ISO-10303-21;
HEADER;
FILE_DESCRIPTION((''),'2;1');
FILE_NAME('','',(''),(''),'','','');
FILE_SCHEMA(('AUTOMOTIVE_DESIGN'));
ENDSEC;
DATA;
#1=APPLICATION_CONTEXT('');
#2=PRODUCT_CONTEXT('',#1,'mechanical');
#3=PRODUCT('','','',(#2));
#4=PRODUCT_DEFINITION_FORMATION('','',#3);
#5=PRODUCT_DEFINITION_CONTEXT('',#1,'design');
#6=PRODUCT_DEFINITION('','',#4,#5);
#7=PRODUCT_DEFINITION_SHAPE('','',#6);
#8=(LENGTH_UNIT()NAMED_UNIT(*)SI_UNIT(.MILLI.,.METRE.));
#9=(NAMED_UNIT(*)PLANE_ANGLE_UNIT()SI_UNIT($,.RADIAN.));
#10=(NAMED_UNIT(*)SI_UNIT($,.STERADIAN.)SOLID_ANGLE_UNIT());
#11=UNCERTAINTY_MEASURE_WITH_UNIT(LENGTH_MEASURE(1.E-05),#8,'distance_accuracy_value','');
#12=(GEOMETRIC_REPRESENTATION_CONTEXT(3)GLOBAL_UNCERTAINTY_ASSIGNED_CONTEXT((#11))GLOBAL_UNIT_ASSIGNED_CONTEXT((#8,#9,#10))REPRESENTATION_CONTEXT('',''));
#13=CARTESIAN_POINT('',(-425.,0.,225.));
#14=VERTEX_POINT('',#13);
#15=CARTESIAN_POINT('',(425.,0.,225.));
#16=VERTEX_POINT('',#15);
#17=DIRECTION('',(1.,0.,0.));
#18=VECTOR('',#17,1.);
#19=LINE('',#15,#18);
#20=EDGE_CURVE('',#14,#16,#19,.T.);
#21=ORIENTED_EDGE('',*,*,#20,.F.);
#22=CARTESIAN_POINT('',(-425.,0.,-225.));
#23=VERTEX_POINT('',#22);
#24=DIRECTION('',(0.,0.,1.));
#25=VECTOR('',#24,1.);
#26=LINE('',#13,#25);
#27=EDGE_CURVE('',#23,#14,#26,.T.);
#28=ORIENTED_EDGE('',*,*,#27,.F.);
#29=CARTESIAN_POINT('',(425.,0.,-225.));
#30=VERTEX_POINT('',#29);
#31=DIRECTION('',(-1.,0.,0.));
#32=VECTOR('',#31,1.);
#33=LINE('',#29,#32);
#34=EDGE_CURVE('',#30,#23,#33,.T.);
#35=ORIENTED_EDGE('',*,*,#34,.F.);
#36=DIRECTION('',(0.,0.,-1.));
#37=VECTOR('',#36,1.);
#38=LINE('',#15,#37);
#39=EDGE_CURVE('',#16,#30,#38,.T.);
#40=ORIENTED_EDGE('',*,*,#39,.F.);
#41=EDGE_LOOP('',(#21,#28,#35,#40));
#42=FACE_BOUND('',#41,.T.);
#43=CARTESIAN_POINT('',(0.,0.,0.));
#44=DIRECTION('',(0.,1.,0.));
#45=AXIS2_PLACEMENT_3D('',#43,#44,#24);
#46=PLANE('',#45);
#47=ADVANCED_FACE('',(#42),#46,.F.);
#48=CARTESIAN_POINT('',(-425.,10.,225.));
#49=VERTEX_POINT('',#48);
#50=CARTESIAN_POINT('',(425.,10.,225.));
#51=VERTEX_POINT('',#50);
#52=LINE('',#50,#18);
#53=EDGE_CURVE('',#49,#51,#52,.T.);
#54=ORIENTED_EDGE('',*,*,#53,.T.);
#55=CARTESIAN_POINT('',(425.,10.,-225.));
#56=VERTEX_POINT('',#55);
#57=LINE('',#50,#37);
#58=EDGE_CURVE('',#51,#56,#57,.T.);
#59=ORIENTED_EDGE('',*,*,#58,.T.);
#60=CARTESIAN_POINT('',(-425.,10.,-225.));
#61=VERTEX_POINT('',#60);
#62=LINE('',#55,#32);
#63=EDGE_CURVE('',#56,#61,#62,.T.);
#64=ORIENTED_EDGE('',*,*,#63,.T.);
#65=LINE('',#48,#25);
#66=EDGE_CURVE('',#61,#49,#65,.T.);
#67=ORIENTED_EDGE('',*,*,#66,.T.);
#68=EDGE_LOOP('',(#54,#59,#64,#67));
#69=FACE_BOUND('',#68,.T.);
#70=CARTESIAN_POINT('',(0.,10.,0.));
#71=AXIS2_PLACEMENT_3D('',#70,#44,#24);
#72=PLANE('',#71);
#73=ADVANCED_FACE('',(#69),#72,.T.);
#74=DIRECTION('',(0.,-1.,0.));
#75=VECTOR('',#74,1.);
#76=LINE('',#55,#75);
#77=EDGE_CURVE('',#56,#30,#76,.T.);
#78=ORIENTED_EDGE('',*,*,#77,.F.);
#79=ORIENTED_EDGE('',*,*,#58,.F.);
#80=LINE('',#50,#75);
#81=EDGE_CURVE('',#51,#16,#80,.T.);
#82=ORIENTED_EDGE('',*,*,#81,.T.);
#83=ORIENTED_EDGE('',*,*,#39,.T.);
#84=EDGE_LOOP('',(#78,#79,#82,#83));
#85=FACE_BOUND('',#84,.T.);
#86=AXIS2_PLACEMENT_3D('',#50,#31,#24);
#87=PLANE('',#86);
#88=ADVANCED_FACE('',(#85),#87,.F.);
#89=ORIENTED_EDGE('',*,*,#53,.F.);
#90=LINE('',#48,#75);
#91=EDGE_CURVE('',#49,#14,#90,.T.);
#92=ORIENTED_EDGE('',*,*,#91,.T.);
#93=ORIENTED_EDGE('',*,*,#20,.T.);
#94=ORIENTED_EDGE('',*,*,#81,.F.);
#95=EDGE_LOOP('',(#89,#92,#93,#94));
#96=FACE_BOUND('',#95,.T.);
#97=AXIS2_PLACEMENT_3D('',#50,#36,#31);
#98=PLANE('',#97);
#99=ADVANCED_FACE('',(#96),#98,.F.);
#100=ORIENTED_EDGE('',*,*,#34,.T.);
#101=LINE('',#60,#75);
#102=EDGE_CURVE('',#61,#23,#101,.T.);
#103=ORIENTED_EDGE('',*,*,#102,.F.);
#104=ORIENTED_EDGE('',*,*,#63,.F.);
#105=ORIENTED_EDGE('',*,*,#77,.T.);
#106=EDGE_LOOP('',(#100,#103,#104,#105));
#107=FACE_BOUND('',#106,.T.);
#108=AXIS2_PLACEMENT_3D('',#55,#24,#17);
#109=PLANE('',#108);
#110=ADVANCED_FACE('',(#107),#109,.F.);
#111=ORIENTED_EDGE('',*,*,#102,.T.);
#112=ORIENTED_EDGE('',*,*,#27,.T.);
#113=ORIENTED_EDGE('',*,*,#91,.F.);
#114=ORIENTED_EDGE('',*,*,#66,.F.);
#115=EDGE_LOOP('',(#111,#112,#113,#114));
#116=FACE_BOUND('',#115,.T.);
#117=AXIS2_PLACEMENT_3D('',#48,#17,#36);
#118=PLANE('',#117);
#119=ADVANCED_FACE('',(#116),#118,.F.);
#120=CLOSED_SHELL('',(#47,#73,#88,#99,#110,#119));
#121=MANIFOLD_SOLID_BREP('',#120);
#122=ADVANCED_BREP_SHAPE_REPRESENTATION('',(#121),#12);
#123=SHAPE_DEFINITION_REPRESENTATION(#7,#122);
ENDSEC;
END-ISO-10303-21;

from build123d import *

# Parameters (mm, degrees)
SCHIZZO1_W                   = 850
SCHIZZO1_H                   = 450
ESTRUSIONE_ESTRUSIONE1_DEPTH = 10


with BuildPart() as part:
    # Schizzo1 → Estrusione-Estrusione1 (new body)
    with BuildSketch(Plane(origin=(0, 0, 0), x_dir=(1, 0, 0), z_dir=(0, 1, 0))):
        Rectangle(SCHIZZO1_W, SCHIZZO1_H)
    extrude(amount=ESTRUSIONE_ESTRUSIONE1_DEPTH)


solid = part.part
